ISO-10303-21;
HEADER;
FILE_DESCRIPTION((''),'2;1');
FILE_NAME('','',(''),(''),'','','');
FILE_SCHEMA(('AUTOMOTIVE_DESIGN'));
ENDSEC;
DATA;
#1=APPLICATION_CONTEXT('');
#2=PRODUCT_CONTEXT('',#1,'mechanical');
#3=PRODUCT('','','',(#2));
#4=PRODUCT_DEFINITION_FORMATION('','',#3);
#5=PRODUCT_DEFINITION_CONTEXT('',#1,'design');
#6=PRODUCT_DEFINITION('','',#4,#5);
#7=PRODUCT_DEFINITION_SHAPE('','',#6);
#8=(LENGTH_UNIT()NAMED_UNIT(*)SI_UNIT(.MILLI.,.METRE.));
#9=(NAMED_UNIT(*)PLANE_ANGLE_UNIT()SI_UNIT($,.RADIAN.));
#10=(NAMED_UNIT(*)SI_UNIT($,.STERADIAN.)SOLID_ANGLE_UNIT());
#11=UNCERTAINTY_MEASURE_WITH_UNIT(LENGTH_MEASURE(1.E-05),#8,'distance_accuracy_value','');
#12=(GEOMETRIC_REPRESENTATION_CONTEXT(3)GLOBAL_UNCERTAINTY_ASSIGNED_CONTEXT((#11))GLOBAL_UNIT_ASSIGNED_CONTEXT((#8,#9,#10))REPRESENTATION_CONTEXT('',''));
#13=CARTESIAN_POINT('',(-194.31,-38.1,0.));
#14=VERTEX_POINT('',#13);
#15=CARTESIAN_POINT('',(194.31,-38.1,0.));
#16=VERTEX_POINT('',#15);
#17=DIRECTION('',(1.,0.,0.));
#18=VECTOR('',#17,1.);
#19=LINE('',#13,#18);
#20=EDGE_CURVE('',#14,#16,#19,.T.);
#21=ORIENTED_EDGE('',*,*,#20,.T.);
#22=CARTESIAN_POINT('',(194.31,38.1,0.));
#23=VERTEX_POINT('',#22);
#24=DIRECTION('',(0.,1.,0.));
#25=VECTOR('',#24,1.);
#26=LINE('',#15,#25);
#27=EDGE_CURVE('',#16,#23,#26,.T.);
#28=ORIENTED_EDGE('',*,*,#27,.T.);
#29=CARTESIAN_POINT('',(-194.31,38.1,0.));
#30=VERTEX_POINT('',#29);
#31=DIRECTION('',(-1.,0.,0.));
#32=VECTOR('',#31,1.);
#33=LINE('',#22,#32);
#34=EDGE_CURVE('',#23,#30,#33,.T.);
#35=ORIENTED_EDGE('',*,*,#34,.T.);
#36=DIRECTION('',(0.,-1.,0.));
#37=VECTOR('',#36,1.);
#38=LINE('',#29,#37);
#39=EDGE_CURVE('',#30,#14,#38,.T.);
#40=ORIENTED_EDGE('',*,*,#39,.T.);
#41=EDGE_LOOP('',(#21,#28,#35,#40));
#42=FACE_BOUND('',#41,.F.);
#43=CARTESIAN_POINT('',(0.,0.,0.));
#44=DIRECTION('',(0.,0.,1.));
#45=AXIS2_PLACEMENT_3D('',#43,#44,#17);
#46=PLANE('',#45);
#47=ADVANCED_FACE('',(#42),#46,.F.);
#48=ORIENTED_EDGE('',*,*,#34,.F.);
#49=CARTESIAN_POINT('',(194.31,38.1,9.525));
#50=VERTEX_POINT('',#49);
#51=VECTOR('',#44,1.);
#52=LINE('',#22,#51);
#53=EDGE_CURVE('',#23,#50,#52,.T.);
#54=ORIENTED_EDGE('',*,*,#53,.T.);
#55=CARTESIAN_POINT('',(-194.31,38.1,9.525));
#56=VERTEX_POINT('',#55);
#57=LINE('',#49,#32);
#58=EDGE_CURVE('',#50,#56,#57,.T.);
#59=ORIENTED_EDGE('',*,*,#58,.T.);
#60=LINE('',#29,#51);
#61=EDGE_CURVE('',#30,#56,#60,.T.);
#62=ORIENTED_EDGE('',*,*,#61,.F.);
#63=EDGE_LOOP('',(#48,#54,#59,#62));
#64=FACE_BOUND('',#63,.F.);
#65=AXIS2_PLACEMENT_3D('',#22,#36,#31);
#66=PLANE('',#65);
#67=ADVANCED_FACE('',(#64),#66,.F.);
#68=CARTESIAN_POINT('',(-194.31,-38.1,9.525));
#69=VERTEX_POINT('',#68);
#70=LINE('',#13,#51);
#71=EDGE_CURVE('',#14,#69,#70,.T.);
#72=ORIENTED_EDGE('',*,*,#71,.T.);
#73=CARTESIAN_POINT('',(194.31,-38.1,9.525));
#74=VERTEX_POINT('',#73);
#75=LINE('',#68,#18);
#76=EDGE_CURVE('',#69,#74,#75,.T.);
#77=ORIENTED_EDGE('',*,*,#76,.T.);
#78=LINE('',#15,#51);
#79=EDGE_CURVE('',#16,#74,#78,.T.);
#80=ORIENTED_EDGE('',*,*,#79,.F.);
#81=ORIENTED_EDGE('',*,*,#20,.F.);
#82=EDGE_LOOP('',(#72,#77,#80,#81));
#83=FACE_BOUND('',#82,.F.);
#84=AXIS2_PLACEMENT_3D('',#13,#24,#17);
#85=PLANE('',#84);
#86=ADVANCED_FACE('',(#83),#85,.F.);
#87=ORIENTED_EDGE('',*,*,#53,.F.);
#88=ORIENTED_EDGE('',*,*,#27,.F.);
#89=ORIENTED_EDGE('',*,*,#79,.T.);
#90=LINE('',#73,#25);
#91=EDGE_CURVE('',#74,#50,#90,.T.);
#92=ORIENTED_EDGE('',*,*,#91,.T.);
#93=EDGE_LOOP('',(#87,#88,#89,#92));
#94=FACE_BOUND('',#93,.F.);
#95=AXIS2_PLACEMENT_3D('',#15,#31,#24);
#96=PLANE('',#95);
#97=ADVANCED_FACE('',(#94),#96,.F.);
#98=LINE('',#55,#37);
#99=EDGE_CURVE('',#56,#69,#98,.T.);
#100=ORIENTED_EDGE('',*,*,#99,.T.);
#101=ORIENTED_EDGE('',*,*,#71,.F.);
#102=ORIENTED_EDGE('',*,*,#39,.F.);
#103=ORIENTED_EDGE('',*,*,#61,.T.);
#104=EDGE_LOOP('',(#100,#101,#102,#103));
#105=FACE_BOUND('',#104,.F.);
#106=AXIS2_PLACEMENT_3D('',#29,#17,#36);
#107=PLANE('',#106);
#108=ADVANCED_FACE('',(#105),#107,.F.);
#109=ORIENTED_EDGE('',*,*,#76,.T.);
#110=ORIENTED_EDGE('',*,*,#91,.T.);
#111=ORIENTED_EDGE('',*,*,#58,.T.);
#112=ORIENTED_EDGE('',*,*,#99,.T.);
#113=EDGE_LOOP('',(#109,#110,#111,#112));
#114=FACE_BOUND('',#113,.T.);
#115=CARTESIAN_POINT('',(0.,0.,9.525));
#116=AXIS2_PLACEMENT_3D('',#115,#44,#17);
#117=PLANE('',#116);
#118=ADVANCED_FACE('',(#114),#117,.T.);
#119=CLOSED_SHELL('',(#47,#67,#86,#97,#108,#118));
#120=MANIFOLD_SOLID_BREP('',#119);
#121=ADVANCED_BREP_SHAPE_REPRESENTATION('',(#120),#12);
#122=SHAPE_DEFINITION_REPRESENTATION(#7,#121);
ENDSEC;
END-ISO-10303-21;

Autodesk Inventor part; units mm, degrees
ref_plane "YZ Plane" through (0, 0, 0) normal (1, 0, 0) x (0, 1, 0)
ref_plane "XZ Plane" through (0, 0, 0) normal (0, 1, 0) x (-1, 0, 0)
ref_plane "XY Plane" through (0, 0, 0) normal (0, 0, 1) x (1, 0, 0)
sketch "Sketch1" plane through (0, 0, 0) normal (0, 0, 1) x (1, 0, 0)
  line L0 (-194.31, -38.1) -> (194.31, -38.1)
  line L1 (194.31, -38.1) -> (194.31, 38.1)
  line L2 (194.31, 38.1) -> (-194.31, 38.1)
  line L3 (-194.31, 38.1) -> (-194.31, -38.1)
  line L4 (-194.31, -38.1) -> (194.31, 38.1) construction
  line L5 (194.31, -38.1) -> (-194.31, 38.1) construction
  point P0 (0, 0)
  dimension "d0" = 388.62
  dimension "d1" = 76.2
extrude "Extrusion2" add sketch "Sketch1" along normal blind 9.525
properties part number "BK-BK120-Back" material "Aluminum 6061"
